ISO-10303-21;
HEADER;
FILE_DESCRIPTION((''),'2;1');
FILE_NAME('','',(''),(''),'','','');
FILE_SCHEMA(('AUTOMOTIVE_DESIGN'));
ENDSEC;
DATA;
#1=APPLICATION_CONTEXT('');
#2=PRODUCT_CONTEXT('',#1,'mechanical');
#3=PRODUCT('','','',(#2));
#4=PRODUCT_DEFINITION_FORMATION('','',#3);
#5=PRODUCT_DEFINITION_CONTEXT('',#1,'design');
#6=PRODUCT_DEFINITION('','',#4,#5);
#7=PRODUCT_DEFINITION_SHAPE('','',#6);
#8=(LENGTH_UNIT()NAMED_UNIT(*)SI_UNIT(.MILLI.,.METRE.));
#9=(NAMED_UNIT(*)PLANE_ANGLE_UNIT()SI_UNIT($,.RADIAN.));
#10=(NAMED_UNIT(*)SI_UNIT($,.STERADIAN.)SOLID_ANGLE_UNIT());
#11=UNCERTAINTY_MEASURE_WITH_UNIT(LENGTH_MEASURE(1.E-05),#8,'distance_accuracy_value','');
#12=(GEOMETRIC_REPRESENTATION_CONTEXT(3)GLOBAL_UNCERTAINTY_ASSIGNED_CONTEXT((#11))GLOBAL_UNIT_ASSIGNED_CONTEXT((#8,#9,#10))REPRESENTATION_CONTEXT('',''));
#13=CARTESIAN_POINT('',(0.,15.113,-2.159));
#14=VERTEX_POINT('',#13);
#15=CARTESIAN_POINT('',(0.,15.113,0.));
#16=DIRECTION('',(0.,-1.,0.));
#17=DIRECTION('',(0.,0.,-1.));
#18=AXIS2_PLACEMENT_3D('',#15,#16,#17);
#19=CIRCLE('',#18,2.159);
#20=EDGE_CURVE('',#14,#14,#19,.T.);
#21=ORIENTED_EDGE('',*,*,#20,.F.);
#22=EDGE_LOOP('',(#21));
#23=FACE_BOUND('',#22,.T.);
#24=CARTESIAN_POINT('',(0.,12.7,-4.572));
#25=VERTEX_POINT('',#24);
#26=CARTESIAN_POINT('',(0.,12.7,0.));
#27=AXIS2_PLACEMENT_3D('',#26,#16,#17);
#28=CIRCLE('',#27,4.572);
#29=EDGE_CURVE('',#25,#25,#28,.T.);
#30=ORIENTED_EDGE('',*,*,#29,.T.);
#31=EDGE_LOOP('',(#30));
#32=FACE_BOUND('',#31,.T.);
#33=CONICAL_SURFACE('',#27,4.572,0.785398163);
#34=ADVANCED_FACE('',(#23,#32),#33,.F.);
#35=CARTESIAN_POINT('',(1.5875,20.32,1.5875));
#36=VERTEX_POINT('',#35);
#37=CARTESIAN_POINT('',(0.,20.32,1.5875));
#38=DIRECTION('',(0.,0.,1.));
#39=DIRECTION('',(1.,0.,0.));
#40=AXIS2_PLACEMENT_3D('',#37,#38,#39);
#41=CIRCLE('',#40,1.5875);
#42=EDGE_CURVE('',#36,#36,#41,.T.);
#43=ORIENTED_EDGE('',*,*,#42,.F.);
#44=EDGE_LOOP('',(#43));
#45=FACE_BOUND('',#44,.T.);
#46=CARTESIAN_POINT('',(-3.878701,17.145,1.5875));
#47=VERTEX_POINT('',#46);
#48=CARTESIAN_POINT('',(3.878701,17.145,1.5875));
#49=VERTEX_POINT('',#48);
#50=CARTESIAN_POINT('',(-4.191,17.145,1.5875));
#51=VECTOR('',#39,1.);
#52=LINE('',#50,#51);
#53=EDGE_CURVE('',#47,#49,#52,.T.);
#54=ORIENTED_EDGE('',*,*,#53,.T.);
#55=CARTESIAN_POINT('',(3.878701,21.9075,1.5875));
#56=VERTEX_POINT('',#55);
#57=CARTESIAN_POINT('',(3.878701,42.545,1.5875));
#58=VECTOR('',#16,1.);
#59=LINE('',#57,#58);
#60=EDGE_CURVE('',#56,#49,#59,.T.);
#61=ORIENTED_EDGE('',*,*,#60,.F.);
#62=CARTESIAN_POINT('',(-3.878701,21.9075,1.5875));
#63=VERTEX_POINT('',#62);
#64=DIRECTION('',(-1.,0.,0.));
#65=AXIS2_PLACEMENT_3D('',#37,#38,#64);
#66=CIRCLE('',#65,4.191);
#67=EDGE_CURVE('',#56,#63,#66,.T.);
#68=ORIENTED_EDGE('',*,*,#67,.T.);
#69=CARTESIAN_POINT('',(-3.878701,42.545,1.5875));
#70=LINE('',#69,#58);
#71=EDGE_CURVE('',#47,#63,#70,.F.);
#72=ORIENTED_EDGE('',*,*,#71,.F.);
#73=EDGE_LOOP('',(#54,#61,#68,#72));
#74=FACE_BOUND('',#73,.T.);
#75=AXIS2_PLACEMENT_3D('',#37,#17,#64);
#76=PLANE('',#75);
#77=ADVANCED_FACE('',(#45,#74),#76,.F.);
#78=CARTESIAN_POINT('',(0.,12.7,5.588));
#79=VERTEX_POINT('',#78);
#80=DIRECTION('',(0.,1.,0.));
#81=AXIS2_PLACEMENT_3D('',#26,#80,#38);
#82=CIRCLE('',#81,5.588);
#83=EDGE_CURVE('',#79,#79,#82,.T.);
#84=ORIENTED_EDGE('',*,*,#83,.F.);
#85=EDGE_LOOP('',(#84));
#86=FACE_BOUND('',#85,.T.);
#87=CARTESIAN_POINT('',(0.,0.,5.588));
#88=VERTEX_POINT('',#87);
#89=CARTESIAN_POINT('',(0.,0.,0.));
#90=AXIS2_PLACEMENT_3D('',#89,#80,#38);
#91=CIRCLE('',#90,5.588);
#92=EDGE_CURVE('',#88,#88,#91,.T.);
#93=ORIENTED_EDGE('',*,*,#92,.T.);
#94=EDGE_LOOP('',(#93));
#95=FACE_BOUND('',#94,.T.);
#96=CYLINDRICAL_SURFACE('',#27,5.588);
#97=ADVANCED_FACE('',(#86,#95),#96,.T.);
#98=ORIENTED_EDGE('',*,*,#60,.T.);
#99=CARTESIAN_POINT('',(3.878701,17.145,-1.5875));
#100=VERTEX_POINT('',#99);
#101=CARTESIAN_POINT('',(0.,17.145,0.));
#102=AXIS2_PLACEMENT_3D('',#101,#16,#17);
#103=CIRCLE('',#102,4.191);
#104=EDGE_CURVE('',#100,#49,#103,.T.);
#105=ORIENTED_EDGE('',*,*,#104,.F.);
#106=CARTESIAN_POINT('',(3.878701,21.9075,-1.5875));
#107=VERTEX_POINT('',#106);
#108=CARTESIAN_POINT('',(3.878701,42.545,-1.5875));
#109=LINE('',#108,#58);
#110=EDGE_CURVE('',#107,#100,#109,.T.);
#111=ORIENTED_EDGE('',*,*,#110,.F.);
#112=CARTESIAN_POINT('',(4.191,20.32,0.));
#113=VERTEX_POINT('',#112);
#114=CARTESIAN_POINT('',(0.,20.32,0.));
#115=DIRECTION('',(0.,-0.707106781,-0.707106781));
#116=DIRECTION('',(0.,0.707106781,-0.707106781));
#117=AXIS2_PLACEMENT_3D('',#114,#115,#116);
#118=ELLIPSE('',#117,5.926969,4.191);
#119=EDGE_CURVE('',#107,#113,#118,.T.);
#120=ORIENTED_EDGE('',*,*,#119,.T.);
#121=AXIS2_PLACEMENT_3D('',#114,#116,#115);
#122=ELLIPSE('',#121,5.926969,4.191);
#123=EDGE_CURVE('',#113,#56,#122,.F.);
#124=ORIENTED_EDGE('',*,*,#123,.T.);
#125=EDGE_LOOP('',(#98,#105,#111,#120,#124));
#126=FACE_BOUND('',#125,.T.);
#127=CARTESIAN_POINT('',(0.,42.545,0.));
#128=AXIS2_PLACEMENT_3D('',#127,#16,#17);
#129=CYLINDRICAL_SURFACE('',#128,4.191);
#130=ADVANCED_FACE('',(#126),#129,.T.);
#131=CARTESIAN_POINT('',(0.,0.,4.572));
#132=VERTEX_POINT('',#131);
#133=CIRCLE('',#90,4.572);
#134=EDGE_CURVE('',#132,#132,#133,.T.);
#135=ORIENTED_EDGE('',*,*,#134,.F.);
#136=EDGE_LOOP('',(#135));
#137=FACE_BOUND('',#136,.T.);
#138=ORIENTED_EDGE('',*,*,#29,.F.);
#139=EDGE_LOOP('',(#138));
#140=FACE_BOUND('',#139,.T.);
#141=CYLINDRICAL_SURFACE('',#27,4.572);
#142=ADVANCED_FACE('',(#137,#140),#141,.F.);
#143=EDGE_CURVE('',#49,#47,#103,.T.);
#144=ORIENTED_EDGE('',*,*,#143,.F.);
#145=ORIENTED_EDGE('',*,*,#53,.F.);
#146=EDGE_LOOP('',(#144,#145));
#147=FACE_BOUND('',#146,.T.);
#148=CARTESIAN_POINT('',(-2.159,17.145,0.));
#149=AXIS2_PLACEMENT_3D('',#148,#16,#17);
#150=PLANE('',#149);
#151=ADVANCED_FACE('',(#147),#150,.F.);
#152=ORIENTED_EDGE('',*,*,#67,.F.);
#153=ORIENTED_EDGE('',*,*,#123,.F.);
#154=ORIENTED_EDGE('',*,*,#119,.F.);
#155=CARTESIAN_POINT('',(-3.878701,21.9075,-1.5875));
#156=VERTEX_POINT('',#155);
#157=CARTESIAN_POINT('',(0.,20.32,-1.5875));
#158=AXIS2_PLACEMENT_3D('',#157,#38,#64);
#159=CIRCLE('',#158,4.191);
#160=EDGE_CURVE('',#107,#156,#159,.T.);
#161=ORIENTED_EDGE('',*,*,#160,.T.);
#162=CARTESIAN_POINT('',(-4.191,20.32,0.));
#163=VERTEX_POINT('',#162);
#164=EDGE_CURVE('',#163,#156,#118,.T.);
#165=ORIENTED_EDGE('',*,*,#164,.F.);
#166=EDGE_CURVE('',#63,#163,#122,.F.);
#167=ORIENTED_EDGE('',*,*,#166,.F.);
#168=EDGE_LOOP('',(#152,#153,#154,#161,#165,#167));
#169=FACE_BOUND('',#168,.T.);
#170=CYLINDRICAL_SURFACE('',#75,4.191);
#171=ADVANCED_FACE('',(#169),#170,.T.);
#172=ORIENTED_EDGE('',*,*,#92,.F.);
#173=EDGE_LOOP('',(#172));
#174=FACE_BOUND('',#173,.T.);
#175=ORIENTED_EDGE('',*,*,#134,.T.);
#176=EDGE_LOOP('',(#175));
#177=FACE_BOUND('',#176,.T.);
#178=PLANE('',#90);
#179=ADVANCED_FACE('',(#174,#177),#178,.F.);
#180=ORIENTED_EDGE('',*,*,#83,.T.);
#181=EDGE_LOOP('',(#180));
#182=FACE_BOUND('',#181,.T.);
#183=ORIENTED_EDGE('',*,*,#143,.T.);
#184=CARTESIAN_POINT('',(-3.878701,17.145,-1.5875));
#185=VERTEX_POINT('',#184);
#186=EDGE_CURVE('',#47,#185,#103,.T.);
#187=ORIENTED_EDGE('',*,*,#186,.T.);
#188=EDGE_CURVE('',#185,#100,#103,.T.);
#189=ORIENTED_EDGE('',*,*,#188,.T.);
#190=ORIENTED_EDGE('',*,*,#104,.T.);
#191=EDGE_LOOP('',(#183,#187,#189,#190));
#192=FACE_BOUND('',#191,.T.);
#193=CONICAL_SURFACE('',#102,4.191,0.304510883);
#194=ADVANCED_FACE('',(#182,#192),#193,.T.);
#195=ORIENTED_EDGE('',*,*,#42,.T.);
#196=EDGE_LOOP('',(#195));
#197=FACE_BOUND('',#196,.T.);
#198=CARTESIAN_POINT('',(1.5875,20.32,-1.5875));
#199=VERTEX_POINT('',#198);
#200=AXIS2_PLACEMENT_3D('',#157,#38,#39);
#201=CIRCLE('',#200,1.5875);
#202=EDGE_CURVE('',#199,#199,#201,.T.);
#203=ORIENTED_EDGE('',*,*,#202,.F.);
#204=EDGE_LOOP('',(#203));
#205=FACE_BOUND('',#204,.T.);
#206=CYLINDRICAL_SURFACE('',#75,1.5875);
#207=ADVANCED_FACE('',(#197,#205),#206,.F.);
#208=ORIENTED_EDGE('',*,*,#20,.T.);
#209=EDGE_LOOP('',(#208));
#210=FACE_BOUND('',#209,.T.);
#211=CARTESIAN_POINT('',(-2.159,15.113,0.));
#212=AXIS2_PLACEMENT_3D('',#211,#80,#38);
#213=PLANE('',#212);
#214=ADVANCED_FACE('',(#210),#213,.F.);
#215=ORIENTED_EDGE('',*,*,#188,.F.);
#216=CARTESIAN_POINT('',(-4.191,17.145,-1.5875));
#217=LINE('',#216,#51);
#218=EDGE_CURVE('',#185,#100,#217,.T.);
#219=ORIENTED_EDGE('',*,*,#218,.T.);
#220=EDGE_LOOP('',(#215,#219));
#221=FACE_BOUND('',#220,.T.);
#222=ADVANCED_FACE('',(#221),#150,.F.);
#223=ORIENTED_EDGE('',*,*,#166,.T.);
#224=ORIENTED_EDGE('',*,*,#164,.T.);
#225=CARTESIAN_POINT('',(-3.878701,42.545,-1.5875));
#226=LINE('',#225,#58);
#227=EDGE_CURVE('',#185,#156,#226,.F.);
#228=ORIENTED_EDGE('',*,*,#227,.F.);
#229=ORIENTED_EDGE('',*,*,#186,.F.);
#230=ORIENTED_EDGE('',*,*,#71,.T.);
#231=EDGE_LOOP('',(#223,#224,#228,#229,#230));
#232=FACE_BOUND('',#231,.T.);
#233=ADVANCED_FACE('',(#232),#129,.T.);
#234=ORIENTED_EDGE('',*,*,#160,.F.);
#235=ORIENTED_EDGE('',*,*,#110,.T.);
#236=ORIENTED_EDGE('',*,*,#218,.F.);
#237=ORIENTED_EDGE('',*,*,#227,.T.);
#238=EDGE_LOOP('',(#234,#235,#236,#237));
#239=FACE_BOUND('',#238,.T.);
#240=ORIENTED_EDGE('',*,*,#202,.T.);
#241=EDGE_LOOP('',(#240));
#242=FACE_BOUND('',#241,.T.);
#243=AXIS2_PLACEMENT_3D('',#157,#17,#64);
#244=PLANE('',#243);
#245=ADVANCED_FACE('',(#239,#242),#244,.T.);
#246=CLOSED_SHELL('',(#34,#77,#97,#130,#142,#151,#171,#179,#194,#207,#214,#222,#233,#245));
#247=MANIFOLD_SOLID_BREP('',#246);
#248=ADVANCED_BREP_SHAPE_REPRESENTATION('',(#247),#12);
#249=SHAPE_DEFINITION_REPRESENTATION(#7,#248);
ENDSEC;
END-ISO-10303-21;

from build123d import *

# Parameters (mm, degrees)
SKETCH1_R           = 5.588
SKETCH1_R_2         = 4.572
BOSS_EXTRUDE1_DEPTH = 12.7
SKETCH3_R           = 1.5875
BOSS_EXTRUDE3_DEPTH = 1.5875
SKETCH6_OUTSIDE_W   = 19.008
SKETCH6_OUTSIDE_H   = 19.008
SKETCH6_OUTSIDE_R   = 4.191
CUT_EXTRUDE4_DEPTH  = 25.4


with BuildPart() as part:
    # Sketch1 → Boss-Extrude1 (new body)
    with BuildSketch(Plane(origin=(0, 0, 0), x_dir=(1, 0, 0), z_dir=(0, 1, 0))):
        Circle(SKETCH1_R)
        Circle(SKETCH1_R_2, mode=Mode.SUBTRACT)
    extrude(amount=BOSS_EXTRUDE1_DEPTH)

    # Sketch2 → Revolve2 (revolve)
    with BuildSketch(Plane.XY):
        Polygon((-5.588, 12.7), (-4.572, 12.7), (-2.159, 15.113), (0, 15.113), (0, 17.145), (-2.159, 17.145), (-4.191, 17.145), align=None)
    revolve(axis=Axis((0, 15.113, 0), (0, 1, 0)))

    # Sketch3 → Boss-Extrude3 (add, symmetric)
    with BuildSketch(Plane.XY):
        with BuildLine():
            Line((-4.191, 17.145), (4.191, 17.145))
            Line((4.191, 17.145), (4.191, 20.32))
            ThreePointArc((4.191, 20.32), (0, 24.511), (-4.191, 20.32))
            Line((-4.191, 20.32), (-4.191, 17.145))
        make_face()
        with Locations((0, 20.32)):
            Circle(SKETCH3_R, mode=Mode.SUBTRACT)
    extrude(amount=BOSS_EXTRUDE3_DEPTH, both=True)

    # Sketch6 outside → Cut-Extrude4 (cut)
    with BuildSketch(Plane.XZ.offset(-17.145)):
        Rectangle(SKETCH6_OUTSIDE_W, SKETCH6_OUTSIDE_H)
        Circle(SKETCH6_OUTSIDE_R, mode=Mode.SUBTRACT)
    extrude(amount=-CUT_EXTRUDE4_DEPTH, mode=Mode.SUBTRACT)


solid = part.part
